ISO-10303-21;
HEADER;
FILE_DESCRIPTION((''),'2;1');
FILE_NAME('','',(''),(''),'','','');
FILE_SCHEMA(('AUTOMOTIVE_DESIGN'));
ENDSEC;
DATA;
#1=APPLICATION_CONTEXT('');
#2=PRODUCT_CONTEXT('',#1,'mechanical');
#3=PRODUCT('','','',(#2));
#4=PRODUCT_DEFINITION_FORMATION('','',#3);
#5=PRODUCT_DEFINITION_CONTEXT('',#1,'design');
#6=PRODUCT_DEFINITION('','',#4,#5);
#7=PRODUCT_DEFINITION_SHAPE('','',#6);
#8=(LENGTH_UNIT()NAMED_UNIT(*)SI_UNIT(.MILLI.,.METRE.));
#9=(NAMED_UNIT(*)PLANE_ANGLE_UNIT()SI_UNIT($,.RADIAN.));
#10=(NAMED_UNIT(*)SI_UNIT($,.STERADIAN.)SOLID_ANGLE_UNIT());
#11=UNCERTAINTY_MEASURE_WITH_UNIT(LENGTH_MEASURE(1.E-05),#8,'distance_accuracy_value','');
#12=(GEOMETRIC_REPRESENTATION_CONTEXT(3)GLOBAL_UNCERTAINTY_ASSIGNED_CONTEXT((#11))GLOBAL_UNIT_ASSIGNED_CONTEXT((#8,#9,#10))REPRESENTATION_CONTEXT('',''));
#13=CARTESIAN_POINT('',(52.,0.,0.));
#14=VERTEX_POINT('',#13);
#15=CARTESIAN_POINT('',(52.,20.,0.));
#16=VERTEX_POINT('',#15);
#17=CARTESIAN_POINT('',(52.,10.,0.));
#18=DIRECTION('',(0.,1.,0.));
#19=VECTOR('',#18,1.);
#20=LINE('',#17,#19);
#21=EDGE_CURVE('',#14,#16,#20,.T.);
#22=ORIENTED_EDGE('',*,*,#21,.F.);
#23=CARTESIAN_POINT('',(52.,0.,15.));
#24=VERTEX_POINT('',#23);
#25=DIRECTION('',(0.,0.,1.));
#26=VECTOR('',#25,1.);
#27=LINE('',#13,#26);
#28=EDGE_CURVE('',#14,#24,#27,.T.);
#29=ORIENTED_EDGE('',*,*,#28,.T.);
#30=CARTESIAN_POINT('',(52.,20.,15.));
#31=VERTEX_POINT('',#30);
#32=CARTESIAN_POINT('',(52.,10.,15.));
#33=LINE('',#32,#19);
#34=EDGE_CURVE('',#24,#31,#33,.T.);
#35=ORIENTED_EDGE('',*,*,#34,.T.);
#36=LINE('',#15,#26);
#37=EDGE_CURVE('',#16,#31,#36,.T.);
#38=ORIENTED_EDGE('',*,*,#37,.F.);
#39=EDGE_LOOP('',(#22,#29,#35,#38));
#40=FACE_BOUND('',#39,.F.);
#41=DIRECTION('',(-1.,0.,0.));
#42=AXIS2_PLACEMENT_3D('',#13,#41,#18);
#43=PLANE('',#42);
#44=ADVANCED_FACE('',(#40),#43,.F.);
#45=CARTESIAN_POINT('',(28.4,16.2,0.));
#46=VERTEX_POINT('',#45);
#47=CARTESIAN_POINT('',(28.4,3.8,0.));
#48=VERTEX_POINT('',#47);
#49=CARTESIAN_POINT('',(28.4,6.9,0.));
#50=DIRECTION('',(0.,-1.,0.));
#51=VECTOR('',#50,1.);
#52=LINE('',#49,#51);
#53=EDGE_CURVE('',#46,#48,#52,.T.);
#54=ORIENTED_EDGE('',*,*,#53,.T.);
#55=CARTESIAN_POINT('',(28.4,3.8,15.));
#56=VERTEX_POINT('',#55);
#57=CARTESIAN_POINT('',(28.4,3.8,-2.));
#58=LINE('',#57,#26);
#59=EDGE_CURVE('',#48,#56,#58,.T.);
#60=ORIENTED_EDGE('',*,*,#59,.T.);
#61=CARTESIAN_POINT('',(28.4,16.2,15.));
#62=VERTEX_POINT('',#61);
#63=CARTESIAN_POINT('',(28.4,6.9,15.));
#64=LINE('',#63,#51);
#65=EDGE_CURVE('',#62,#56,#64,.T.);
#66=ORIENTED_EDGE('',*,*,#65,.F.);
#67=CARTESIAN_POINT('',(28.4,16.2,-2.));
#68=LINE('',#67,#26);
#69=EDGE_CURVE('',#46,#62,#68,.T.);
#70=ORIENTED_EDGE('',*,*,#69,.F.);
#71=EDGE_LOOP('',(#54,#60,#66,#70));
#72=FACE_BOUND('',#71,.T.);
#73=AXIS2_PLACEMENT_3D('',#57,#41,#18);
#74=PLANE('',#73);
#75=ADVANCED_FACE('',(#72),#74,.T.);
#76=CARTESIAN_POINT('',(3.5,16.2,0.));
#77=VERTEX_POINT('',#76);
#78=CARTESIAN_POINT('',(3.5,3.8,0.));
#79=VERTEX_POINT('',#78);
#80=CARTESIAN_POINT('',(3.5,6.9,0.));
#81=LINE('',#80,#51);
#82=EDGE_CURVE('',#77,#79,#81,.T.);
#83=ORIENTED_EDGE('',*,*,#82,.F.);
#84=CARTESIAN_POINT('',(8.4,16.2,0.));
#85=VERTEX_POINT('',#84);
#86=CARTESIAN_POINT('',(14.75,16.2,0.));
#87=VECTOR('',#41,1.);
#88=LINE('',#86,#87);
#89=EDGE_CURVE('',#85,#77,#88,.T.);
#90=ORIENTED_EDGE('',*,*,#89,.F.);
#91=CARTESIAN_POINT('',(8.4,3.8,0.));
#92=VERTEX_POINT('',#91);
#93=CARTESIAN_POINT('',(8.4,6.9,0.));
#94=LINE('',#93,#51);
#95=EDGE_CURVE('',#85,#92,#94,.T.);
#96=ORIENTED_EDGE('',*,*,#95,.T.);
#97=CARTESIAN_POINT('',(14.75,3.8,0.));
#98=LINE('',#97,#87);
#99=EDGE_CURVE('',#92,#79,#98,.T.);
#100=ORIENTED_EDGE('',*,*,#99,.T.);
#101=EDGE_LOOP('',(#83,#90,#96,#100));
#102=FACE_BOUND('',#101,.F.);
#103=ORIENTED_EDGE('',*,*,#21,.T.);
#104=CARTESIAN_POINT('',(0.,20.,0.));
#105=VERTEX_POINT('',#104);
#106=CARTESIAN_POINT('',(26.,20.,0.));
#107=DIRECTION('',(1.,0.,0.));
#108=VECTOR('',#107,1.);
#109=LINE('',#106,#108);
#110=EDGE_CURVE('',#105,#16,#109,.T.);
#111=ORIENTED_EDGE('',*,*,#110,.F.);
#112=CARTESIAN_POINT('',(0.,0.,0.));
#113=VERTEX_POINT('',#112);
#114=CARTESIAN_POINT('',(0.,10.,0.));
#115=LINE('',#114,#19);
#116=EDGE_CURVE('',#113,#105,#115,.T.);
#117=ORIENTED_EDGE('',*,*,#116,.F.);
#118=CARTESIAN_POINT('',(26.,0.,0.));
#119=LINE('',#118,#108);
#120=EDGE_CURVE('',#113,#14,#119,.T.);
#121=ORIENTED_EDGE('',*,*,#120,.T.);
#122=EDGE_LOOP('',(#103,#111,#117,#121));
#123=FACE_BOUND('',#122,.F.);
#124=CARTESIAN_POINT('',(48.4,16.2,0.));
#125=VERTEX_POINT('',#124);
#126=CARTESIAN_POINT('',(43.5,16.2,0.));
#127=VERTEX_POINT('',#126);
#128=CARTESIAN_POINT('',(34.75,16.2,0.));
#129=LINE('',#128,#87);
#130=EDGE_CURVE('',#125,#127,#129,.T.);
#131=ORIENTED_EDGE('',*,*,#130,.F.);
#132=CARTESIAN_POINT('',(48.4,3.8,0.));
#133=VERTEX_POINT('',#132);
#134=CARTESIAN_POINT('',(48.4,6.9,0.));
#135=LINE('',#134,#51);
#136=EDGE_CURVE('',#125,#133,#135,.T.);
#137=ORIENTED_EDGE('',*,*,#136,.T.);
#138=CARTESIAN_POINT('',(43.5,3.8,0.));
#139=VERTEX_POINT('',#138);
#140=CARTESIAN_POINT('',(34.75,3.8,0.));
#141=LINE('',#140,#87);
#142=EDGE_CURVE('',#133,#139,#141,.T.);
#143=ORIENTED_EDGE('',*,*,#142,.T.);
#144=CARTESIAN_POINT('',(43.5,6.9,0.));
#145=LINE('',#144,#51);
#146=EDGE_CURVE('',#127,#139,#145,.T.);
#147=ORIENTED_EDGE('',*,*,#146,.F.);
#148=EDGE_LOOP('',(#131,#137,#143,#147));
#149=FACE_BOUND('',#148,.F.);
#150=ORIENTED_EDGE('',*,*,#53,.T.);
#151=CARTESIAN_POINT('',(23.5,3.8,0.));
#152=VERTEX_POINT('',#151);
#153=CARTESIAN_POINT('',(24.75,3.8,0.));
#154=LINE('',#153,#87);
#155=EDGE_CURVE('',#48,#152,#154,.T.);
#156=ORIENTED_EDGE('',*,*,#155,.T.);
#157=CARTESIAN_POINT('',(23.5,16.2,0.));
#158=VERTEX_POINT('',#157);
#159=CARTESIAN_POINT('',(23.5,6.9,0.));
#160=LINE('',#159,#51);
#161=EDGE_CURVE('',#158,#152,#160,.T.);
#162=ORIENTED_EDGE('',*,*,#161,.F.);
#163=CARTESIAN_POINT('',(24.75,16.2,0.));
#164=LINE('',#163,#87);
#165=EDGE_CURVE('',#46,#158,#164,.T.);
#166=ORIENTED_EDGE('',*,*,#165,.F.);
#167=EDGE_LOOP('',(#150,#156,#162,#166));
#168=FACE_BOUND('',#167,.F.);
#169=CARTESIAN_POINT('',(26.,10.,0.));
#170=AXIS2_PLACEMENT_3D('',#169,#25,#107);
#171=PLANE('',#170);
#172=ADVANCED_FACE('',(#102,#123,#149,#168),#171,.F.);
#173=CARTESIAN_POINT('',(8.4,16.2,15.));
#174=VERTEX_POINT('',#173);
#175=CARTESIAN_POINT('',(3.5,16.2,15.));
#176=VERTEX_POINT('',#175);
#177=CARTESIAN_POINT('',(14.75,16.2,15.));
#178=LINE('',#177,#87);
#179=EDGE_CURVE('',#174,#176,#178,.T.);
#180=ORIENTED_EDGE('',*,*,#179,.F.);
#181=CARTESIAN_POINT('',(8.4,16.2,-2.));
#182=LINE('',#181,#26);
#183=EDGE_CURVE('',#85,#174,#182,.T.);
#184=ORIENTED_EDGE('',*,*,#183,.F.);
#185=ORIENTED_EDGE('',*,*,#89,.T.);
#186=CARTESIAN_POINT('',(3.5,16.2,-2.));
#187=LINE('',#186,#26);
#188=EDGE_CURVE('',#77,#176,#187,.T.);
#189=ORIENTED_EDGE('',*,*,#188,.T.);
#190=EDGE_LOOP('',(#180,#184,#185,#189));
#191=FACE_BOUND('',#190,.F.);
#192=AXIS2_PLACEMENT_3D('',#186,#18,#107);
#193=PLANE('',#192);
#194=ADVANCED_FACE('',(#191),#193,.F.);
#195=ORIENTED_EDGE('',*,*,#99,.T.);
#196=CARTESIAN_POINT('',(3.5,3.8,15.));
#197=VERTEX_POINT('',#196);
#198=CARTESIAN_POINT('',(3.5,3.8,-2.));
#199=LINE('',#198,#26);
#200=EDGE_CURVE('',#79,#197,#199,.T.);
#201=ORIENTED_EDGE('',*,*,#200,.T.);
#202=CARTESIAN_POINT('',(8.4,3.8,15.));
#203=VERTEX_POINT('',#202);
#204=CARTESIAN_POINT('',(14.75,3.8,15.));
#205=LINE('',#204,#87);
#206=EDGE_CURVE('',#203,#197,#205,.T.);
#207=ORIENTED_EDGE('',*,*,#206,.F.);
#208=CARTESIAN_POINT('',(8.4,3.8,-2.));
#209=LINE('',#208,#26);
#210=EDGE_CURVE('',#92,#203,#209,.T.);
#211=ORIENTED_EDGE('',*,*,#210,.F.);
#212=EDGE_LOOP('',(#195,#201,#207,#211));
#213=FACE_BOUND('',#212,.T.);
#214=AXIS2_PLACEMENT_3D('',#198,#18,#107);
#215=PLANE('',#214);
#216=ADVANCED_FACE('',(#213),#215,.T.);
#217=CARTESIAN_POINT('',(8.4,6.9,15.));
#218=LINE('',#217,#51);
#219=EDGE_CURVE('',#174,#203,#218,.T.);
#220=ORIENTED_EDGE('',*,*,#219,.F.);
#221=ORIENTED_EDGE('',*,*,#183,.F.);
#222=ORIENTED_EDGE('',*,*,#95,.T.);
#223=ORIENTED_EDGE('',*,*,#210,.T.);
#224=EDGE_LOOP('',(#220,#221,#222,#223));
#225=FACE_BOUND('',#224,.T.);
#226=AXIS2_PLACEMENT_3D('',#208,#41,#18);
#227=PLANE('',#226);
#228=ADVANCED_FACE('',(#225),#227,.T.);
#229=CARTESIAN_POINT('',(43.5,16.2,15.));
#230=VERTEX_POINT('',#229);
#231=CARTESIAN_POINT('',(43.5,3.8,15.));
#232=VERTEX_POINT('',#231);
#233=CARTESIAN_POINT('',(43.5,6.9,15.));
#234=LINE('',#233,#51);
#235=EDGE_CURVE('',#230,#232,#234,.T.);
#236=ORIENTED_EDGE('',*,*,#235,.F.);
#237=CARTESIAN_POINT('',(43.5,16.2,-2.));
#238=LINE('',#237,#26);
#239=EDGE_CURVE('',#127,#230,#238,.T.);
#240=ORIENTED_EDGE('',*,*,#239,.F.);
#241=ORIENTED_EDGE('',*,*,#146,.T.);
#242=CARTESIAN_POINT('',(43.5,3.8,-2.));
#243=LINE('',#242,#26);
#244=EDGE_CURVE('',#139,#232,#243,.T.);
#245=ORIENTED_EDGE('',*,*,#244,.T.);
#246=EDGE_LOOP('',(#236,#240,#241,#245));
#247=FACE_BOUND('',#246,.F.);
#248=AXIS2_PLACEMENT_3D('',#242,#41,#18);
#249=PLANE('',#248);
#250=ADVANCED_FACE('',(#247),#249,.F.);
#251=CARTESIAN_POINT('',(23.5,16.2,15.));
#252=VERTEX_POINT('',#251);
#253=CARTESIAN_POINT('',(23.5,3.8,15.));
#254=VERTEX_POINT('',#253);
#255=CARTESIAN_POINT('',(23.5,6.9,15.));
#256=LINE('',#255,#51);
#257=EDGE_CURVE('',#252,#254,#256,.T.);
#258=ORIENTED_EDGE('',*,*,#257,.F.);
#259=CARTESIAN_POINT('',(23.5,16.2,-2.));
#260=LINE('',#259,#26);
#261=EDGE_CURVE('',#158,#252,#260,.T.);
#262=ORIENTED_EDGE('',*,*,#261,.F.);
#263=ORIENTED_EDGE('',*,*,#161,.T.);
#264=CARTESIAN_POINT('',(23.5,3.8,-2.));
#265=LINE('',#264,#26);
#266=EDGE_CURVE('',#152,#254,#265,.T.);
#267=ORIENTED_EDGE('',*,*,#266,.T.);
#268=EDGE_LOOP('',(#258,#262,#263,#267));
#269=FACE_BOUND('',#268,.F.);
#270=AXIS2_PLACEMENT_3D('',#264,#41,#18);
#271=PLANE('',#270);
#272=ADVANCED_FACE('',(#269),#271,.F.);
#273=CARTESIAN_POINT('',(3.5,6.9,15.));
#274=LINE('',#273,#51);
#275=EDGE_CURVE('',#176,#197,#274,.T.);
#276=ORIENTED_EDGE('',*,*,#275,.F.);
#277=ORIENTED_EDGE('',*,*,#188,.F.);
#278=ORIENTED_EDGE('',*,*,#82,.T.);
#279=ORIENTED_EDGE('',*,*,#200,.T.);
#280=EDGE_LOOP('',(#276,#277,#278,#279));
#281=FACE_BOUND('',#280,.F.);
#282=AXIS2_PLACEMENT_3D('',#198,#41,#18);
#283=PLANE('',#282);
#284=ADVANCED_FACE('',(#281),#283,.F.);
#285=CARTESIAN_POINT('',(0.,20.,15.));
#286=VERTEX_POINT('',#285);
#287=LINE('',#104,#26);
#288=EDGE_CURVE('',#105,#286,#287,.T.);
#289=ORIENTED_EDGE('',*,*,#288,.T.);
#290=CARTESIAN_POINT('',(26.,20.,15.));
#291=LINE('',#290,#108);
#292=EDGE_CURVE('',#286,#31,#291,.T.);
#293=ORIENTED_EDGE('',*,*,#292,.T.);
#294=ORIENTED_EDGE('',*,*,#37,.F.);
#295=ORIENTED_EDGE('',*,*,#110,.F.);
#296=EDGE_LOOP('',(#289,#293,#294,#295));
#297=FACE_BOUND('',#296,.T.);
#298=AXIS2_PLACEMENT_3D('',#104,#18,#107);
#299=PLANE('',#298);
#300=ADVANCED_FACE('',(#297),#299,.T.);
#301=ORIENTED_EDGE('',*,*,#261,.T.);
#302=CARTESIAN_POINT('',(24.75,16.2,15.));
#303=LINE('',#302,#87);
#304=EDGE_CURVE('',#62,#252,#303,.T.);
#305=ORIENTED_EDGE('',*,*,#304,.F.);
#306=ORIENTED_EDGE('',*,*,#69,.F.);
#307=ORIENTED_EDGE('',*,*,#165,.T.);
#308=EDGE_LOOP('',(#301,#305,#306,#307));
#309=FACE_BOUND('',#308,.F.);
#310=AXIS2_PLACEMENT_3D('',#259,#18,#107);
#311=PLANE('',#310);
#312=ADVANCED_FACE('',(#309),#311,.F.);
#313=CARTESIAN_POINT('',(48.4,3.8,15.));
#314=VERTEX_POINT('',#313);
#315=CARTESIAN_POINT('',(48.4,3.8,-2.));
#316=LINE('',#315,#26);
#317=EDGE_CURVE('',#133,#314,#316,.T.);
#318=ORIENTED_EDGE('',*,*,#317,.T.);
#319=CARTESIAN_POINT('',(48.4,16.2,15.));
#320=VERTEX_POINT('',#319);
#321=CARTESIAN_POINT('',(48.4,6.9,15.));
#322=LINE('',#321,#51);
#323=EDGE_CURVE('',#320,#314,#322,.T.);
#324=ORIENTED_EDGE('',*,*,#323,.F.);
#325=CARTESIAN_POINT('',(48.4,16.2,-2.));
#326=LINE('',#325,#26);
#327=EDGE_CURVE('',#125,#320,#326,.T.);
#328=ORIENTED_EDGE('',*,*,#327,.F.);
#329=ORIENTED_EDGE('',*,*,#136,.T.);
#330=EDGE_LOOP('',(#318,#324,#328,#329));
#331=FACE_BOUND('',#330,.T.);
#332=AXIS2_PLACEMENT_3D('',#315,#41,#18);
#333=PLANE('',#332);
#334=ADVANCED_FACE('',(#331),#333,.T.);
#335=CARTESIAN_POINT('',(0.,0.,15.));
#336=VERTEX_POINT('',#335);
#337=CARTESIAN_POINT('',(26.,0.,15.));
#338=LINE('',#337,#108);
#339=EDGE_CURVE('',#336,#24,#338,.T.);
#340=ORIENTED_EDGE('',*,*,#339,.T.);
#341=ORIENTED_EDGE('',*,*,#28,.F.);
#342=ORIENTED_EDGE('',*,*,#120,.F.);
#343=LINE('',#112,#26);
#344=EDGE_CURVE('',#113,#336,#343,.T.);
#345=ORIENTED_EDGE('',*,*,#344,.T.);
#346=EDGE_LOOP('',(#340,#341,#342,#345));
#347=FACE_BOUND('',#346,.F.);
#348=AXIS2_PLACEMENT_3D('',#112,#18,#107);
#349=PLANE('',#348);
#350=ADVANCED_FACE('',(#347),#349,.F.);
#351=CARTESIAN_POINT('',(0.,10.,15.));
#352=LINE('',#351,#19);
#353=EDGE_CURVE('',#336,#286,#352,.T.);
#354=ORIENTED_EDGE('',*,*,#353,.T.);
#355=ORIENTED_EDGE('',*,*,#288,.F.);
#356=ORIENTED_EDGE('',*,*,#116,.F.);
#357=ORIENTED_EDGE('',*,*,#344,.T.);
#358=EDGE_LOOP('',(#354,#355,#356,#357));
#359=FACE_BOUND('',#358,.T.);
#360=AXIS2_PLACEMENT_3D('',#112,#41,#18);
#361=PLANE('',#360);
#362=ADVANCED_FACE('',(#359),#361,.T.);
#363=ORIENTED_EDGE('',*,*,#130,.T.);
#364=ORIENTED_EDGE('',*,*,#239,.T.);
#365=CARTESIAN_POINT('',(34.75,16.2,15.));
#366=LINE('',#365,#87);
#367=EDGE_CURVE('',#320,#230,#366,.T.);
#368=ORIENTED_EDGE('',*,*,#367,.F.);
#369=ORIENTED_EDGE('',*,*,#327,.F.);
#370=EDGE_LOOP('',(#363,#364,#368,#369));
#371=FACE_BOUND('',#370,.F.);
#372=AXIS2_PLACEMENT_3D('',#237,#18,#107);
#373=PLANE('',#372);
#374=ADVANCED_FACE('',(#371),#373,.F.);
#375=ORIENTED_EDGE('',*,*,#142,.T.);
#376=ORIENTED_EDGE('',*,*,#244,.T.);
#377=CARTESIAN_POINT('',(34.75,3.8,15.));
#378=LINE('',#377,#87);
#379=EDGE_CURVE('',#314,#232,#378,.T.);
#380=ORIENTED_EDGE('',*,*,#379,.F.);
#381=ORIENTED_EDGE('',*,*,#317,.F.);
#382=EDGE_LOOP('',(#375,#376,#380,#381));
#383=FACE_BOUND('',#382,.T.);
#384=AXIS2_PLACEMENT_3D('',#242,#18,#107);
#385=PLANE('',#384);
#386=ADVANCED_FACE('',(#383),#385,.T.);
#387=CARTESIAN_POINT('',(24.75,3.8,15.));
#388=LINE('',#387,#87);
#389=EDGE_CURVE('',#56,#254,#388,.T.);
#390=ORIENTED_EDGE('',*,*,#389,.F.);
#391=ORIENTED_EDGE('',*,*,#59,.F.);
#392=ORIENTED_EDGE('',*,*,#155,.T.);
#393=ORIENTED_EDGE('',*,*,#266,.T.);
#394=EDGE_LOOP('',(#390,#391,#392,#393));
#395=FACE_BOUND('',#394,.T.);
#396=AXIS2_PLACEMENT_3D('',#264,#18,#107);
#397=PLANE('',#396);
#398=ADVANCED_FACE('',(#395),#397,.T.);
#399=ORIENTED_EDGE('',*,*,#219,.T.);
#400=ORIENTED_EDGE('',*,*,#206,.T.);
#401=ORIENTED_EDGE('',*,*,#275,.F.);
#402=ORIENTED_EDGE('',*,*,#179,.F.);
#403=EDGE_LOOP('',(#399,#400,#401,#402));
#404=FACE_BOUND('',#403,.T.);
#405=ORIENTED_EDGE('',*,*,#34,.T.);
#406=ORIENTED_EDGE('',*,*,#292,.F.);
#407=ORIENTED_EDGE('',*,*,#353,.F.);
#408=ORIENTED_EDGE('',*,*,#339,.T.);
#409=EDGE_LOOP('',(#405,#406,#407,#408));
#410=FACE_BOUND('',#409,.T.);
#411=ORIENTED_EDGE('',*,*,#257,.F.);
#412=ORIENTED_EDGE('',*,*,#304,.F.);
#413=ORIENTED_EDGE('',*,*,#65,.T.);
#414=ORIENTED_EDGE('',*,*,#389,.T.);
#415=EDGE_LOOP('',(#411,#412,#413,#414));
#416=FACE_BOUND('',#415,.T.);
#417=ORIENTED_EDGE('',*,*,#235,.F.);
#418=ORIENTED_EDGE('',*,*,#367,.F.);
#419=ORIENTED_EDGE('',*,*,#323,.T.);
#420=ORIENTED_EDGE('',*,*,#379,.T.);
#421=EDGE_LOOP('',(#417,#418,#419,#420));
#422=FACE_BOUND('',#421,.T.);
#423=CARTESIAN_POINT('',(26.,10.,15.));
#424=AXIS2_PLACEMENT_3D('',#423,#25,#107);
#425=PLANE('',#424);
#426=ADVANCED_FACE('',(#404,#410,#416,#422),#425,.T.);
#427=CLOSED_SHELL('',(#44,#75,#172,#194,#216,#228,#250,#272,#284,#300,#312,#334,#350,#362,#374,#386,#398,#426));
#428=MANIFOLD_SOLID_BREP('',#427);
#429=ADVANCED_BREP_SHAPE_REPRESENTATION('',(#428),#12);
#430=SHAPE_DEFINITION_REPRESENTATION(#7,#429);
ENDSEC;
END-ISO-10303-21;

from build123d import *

# Parameters (mm, degrees)
BOX002_W     = 4.9
BOX002_H     = 12.4
BOX002_DEPTH = 25
BOX003_W     = 4.9
BOX003_H     = 12.4
BOX003_DEPTH = 25
BOX001_W     = 4.9
BOX001_H     = 12.4
BOX001_DEPTH = 25
BOX_W        = 52
BOX_H        = 20
BOX_DEPTH    = 15


with BuildPart() as cube002:
    # Box002 → Box002 (new body)
    with BuildSketch(Plane(origin=(23.5, 3.8, -2), x_dir=(1, 0, 0), z_dir=(0, 0, 1))):
        with Locations((2.45, 6.2)):
            Rectangle(BOX002_W, BOX002_H)
    extrude(amount=BOX002_DEPTH)


with BuildPart() as cube003:
    # Box003 → Box003 (new body)
    with BuildSketch(Plane(origin=(43.5, 3.8, -2), x_dir=(1, 0, 0), z_dir=(0, 0, 1))):
        with Locations((2.45, 6.2)):
            Rectangle(BOX003_W, BOX003_H)
    extrude(amount=BOX003_DEPTH)


with BuildPart() as fusion:
    # Box001 → Box001 (new body)
    with BuildSketch(Plane(origin=(3.5, 3.8, -2), x_dir=(1, 0, 0), z_dir=(0, 0, 1))):
        with Locations((2.45, 6.2)):
            Rectangle(BOX001_W, BOX001_H)
    extrude(amount=BOX001_DEPTH)

    # Fusion: union Cube002, Cube003
    add(cube002.part)
    add(cube003.part)


with BuildPart() as cut:
    # Box → Box (new body)
    with BuildSketch(Plane.XY):
        with Locations((26, 10)):
            Rectangle(BOX_W, BOX_H)
    extrude(amount=BOX_DEPTH)

    # Cut: cut Fusion
    add(fusion.part, mode=Mode.SUBTRACT)


solid = cut.part
